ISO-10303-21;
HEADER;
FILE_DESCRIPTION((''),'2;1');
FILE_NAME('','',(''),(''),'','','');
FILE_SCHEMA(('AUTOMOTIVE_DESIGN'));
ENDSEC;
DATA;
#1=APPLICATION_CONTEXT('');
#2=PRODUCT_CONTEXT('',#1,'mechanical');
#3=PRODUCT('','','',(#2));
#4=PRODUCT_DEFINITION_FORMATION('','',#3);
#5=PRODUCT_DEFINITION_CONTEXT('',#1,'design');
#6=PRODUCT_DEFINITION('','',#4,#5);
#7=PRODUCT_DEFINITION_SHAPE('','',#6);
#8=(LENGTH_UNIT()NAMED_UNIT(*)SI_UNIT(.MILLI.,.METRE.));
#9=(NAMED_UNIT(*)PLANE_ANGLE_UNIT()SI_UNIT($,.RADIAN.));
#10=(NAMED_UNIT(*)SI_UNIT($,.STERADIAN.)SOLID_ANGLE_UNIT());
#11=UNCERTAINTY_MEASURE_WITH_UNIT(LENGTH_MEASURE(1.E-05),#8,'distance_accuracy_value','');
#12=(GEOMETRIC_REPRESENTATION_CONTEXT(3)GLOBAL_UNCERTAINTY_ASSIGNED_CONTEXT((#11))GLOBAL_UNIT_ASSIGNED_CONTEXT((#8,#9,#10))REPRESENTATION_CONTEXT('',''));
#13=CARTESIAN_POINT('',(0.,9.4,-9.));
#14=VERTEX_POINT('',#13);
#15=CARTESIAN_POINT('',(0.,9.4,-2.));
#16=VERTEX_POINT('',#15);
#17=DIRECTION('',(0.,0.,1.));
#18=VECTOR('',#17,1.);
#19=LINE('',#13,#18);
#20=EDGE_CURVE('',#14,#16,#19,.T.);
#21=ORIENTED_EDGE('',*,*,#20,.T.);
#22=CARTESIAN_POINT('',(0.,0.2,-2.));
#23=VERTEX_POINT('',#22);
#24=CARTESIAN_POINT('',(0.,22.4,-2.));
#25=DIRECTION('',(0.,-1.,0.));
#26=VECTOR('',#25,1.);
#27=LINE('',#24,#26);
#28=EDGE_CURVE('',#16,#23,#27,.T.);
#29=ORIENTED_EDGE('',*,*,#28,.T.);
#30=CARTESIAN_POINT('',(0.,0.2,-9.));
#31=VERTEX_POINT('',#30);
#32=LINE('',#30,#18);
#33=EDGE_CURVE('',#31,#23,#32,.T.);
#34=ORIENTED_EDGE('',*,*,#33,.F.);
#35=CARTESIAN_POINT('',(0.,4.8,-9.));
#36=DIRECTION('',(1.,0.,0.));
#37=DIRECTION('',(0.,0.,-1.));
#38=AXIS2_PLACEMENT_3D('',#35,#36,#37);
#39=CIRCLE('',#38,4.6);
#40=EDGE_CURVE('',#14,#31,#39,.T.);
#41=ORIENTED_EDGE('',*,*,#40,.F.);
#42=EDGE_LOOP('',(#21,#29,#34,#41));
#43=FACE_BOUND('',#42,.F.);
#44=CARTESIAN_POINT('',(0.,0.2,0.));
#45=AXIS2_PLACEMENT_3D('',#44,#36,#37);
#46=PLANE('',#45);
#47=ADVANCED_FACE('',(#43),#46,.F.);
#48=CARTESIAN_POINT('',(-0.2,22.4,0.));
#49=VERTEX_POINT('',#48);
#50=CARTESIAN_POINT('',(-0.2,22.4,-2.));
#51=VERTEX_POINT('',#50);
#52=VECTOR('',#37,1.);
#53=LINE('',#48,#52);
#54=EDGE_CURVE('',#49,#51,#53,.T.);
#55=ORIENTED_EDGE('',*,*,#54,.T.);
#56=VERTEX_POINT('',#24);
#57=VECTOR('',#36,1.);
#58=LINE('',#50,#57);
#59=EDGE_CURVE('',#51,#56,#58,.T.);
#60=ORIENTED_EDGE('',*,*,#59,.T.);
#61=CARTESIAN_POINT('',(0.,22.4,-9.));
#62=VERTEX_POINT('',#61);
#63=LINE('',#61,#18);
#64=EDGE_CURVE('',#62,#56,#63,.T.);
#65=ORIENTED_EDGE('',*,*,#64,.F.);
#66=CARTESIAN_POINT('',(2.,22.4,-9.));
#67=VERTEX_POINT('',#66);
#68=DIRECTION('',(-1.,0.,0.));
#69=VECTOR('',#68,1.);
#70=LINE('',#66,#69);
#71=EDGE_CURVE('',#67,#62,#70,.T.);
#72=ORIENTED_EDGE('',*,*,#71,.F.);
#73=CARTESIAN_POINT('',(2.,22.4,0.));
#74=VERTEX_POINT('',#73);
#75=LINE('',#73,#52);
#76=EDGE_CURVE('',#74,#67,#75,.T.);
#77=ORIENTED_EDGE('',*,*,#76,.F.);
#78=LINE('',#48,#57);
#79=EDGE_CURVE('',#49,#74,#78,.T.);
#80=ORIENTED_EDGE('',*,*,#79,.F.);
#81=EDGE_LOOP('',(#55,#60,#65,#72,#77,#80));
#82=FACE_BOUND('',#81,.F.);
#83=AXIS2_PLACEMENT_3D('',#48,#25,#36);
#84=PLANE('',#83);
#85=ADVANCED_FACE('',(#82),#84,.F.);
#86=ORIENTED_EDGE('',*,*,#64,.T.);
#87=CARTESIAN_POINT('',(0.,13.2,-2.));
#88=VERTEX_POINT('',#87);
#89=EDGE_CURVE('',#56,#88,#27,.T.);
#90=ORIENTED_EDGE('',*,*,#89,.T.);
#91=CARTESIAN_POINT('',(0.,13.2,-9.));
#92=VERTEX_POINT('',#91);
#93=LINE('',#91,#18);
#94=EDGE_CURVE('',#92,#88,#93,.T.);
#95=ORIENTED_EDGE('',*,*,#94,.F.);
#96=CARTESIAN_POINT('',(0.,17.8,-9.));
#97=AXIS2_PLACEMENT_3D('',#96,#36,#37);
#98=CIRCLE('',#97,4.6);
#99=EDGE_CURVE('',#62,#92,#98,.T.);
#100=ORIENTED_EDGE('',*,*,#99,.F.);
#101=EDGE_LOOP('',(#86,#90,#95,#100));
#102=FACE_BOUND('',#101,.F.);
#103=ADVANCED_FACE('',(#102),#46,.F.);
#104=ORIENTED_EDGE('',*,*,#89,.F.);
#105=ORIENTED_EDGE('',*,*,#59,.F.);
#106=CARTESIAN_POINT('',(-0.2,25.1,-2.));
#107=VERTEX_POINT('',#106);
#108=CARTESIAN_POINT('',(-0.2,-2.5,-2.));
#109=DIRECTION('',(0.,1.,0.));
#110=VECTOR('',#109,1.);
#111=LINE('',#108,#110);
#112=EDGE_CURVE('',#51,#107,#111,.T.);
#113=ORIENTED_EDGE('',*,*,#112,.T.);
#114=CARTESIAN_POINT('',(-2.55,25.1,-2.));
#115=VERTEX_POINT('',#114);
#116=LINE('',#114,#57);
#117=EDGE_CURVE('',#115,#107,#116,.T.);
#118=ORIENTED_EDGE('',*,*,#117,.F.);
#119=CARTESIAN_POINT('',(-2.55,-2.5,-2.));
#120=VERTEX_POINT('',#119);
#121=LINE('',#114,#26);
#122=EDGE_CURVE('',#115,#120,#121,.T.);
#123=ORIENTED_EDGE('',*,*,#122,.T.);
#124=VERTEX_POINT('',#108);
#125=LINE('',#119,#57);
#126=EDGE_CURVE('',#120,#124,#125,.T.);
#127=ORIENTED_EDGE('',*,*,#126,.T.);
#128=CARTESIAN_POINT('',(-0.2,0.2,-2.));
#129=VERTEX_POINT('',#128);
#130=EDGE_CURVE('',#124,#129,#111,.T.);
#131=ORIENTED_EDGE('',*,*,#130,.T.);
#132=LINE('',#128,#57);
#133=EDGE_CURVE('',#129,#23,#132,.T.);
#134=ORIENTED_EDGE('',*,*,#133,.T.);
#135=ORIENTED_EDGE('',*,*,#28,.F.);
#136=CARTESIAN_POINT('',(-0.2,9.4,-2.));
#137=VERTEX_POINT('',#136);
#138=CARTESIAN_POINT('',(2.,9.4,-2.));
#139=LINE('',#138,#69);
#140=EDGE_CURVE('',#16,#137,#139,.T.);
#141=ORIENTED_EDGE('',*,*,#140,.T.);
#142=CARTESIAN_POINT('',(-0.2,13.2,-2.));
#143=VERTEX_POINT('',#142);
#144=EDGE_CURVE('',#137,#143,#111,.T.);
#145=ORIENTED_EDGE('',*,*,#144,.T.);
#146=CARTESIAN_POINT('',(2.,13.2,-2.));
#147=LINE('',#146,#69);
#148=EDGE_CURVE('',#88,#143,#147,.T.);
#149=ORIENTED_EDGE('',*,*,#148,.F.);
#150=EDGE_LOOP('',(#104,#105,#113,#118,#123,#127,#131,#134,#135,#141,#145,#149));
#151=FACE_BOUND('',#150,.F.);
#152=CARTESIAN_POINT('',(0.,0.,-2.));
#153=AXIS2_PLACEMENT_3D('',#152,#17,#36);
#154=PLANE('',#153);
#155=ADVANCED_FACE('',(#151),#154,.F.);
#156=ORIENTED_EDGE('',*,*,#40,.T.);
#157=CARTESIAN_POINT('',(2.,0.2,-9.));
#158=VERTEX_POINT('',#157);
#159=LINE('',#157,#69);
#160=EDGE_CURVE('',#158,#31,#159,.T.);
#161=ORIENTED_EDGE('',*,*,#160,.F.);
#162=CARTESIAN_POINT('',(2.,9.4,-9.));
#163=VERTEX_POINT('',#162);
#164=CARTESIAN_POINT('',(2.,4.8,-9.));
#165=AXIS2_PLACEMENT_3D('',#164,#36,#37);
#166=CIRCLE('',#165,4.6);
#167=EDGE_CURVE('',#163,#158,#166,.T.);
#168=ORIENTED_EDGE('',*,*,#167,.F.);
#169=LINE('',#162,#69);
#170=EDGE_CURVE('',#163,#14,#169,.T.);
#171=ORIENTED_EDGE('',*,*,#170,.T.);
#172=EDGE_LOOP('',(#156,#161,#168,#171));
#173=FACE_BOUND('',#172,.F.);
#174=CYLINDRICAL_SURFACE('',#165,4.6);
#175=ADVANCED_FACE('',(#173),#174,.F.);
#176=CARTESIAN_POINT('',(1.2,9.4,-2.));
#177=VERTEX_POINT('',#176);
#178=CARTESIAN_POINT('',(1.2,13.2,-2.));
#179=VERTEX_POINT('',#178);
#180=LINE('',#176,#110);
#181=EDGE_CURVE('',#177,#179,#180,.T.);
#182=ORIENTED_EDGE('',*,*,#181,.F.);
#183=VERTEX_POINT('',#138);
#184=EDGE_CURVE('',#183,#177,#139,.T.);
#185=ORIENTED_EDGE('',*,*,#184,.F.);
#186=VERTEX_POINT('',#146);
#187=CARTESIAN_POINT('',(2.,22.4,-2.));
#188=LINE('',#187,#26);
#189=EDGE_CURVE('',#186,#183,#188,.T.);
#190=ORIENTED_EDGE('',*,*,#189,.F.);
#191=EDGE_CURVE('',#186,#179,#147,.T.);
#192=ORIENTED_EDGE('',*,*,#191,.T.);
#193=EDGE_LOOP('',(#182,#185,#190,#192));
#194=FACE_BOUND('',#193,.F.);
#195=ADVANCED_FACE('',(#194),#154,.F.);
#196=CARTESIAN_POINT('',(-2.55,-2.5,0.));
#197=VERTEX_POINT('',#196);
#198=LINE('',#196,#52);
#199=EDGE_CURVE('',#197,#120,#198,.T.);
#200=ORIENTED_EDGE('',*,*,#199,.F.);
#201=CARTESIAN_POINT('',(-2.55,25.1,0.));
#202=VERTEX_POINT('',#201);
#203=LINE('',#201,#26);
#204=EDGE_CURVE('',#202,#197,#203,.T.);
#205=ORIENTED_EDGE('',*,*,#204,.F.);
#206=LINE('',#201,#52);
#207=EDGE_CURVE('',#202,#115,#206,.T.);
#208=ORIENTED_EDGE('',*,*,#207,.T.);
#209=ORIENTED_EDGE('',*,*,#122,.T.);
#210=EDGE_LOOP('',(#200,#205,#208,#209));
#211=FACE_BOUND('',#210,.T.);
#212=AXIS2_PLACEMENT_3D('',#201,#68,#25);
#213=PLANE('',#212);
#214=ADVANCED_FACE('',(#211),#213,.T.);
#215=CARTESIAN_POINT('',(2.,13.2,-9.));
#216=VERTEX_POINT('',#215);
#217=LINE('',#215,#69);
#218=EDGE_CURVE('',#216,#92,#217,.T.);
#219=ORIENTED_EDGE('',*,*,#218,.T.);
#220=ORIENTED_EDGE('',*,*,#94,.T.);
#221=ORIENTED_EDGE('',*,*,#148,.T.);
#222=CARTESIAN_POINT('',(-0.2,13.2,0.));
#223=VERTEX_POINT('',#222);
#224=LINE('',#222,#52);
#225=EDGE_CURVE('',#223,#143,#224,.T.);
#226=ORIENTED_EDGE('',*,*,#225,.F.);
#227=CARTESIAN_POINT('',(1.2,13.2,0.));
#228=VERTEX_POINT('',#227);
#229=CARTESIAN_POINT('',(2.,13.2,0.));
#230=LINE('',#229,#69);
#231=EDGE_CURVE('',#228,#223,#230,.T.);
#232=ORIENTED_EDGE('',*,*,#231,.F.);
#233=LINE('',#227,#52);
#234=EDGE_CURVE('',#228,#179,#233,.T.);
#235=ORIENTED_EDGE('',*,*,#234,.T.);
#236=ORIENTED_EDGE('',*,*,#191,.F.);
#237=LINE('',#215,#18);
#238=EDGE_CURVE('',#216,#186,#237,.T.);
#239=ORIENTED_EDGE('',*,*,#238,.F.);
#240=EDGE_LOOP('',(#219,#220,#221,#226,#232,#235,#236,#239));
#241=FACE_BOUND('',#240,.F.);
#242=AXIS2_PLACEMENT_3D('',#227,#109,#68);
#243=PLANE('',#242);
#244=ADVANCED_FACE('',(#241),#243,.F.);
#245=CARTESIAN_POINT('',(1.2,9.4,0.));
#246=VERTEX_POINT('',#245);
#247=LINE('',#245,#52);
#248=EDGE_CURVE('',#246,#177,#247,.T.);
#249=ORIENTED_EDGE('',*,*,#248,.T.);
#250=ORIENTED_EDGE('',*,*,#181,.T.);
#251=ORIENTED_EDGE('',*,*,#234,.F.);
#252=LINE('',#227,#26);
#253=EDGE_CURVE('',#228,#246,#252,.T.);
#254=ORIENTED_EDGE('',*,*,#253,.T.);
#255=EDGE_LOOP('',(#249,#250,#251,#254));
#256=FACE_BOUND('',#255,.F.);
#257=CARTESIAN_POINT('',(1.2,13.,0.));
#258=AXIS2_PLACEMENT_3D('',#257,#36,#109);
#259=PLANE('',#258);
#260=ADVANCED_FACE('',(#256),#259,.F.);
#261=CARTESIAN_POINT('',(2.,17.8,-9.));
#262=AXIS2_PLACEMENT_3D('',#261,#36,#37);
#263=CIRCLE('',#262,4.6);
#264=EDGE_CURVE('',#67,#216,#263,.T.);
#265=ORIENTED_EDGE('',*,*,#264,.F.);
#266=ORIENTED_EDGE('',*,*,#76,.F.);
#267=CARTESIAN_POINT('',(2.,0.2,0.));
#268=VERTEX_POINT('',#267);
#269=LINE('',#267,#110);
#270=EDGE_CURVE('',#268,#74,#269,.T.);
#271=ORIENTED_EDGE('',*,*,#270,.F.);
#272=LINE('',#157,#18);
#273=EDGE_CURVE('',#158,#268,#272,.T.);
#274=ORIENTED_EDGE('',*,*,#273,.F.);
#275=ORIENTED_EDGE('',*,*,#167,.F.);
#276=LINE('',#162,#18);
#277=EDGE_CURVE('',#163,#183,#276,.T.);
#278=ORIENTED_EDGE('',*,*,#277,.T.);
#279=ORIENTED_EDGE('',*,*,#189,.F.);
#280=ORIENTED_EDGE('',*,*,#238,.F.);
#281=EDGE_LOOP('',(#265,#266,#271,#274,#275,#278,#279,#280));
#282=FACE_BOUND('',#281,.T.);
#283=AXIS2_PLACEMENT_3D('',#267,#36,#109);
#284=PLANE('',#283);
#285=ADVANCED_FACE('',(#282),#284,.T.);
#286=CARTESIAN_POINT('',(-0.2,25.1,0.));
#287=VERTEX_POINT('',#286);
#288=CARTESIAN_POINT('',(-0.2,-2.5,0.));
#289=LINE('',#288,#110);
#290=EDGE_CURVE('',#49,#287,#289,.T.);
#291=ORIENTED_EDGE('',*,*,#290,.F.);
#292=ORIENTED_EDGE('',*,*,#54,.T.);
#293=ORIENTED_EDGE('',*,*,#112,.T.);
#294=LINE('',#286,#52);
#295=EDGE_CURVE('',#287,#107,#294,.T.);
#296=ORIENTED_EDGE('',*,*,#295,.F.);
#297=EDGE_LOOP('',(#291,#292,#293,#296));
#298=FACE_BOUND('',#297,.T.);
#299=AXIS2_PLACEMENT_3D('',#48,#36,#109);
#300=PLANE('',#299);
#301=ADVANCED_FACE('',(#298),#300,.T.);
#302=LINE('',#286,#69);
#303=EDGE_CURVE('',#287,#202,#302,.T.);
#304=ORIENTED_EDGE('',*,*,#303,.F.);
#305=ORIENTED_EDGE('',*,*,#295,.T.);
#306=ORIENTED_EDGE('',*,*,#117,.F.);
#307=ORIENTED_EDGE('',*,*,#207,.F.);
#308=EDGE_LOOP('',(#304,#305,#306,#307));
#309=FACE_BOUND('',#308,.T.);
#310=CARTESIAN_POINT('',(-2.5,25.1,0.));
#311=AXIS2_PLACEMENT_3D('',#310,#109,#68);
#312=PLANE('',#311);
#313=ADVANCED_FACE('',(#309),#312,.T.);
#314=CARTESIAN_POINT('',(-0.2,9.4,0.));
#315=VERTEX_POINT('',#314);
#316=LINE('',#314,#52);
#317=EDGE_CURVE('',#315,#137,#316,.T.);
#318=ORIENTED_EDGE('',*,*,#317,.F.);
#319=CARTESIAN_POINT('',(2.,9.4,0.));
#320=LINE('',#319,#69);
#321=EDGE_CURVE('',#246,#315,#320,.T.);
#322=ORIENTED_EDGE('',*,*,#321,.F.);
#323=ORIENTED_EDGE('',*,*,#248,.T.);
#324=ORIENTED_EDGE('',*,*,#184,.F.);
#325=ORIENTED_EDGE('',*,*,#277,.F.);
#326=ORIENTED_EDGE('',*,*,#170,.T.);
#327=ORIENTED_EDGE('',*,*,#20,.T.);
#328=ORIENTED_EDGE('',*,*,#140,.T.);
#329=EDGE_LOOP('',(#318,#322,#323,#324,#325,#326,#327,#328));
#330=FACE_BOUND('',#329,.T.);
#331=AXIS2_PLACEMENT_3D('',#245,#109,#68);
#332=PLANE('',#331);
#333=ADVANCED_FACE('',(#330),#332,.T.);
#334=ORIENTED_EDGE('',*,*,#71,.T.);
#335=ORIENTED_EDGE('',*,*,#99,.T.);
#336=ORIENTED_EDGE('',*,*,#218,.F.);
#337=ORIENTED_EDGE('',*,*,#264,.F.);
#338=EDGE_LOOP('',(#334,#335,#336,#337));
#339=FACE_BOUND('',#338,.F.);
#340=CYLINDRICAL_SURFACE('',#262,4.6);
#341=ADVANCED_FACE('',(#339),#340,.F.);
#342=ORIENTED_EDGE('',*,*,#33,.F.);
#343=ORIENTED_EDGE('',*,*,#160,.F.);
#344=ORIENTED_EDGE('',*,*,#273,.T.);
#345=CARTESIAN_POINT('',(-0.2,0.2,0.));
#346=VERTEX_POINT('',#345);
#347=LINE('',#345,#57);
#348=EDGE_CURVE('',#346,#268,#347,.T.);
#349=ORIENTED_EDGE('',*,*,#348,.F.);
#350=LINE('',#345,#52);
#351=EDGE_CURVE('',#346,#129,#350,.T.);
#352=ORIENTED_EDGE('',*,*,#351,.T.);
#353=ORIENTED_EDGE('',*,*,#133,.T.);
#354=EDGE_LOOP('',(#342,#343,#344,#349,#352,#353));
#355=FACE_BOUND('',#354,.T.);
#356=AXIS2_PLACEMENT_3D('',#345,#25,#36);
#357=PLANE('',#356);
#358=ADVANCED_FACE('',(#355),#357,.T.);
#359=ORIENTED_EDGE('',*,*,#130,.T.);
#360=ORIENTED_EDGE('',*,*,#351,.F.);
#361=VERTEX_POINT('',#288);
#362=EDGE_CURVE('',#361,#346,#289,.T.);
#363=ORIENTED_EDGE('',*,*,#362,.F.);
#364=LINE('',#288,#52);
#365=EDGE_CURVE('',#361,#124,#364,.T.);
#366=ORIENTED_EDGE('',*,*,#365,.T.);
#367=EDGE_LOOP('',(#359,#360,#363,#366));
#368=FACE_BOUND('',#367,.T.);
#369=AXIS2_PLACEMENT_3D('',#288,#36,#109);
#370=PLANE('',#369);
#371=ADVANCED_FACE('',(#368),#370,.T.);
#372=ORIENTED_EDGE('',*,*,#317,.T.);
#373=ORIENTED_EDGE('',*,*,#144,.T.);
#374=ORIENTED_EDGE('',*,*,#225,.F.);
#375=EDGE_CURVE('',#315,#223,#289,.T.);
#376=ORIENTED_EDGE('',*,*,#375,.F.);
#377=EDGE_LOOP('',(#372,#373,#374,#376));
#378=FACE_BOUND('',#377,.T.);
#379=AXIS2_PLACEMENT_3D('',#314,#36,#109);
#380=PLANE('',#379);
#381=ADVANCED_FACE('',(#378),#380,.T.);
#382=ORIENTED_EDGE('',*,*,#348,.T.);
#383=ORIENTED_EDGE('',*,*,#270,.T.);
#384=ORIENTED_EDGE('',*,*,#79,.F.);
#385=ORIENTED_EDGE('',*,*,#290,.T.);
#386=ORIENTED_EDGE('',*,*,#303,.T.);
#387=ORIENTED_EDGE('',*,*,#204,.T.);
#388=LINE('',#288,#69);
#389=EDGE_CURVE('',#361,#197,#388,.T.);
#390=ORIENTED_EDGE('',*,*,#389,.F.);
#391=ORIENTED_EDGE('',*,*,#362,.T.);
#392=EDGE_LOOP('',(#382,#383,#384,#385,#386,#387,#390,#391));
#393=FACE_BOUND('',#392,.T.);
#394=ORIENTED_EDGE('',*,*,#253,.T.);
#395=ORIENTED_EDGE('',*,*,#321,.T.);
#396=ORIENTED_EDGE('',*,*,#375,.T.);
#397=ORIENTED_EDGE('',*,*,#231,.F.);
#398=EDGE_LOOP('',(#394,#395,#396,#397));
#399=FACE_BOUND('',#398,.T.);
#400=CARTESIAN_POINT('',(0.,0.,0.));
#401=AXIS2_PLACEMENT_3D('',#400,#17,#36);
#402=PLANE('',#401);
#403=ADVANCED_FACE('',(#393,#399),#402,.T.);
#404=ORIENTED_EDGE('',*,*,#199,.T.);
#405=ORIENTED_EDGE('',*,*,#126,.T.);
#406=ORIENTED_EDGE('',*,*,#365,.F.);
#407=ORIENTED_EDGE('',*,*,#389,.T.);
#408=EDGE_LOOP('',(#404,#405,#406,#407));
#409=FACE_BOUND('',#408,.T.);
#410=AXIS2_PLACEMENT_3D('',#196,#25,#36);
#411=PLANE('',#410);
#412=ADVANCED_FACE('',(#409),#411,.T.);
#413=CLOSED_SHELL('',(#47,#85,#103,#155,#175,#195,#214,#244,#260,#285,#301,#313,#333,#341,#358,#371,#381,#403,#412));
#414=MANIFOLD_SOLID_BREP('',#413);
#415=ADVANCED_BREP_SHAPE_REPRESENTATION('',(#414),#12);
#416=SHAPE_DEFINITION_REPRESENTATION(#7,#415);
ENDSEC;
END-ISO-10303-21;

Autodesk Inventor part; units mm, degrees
ref_plane "YZ Plane" through (0, 0, 0) normal (1, 0, 0) x (0, 1, 0)
ref_plane "XZ Plane" through (0, 0, 0) normal (0, 1, 0) x (-1, 0, 0)
ref_plane "XY Plane" through (0, 0, 0) normal (0, 0, 1) x (1, 0, 0)
sketch "Sketch1" plane through (0, 0, 0) normal (0, 0, 1) x (1, 0, 0)
  line L0 (0, 0) -> (0, -2.7) projected
  line L1 (0, -2.7) -> (-2.5, -2.7) projected
  line L2 (-2.5, -2.7) -> (-2.5, 25.3) projected
  line L3 (0, 25.3) -> (-2.5, 25.3) projected
  line L4 (0, 25.3) -> (0, 22.6) projected
  line L5 (0, 22.6) -> (2, 22.6) projected
  line L6 (2, 27.3) -> (2, 22.6) projected
  line L7 (-4.5, 27.3) -> (2, 27.3) projected
  line L8 (-4.5, -4.7) -> (-4.5, 27.3) projected
  line L9 (-4.5, -4.7) -> (2, -4.7) projected
  line L10 (2, 0) -> (2, -4.7) projected
  line L11 (0, 0) -> (2, 0) projected
  line L12 (-0.2, 25.1) -> (-2.55, 25.1)
  line L13 (-2.55, 25.1) -> (-2.55, -2.5)
  line L14 (-2.55, -2.5) -> (-0.2, -2.5)
  line L15 (-0.2, -2.5) -> (-0.2, 25.1)
  line L16 (0, 22.6) -> (0, 22.4) construction
  line L17 (1, 13) -> (2, 13) projected
  line L18 (1, 9.6) -> (1, 13) projected
  line L19 (2, 9.6) -> (1, 9.6) projected
  line L20 (2, 13) -> (2, 9.6) projected
  line L21 (1, 11.3) -> (1.2, 11.3) construction
  line L22 (2, 13) -> (1.2, 13)
  line L23 (1.2, 13) -> (1.2, 9.6)
  line L24 (1.2, 9.6) -> (2, 9.6)
  line L25 (2, 9.6) -> (2, 13)
  line L26 (1.2, 13) -> (1.2, 13.2)
  line L27 (2, 13.2) -> (-0.2, 13.2)
  line L28 (-0.2, 13.2) -> (-0.2, 22.4)
  line L29 (-0.2, 22.4) -> (2, 22.4)
  line L30 (2, 22.4) -> (2, 13.2)
  line L31 (2, 13.2) -> (2, 13)
  line L32 (2, 9.6) -> (1.2, 9.6)
  line L33 (1.2, 9.6) -> (1.2, 9.4)
  line L34 (1.2, 9.4) -> (2, 9.4)
  line L35 (2, 9.4) -> (2, 9.6)
  line L36 (2, 9.4) -> (-0.2, 9.4)
  line L37 (-0.2, 9.4) -> (-0.2, 0.2)
  line L38 (-0.2, 0.2) -> (2, 0.2)
  line L39 (2, 0.2) -> (2, 9.4)
  point P0 (-1.25, 11.3)
  point P1 (-1.25, 11.3)
  dimension "d0" = 2.35
  dimension "d1" = 27.6
  dimension "d2" = 0.2
  dimension "d3" = 0.2
  dimension "d4" = 0.2
  dimension "d5" = 0.2
  dimension "d6" = 9.2
extrude "Extrusion1" add sketch "Sketch1" against normal blind 2 contours L14 L13 L12 L2 | L2 L12 L15 L14 | L15 L36 L34 L39 L38 | L29 L30 L27 L15 | L33 L19 L35 L34 | L27 L31 L17 L26 | L23 L17 L20 L19
sketch "Sketch2" plane through (2, 0.2, 0) normal (1, 0, 0) x (0, 0, -1)
  arc A0 (9, -0.2) -> (9, 9.4) centre (9, 4.6) ccw projected
  arc A1 (9, 12.8) -> (9, 22.4) centre (9, 17.6) ccw projected
  circle A2 centre (9, 4.6) radius 4.6
  circle A3 centre (9, 17.6) radius 4.6
  line L0 (2, 22.2) -> (2, 0) projected
  line L1 (9, 0) -> (2, 0)
  line L2 (9, 9.2) -> (2, 9.2)
  line L3 (2, 0) -> (2, 9.2)
  line L4 (9, 13) -> (2, 13)
  line L5 (2, 13) -> (2, 22.2)
  line L6 (0, 22.2) -> (2, 22.2) projected
  line L7 (9, 22.2) -> (2, 22.2)
  point P0 (0, -0.2)
  dimension "d12" = 9.2
  dimension "d13" = 9.2
extrude "Extrusion3" add sketch "Sketch2" against normal blind 2 contours L0 L7 A3 L4 | A2 L1 L0 L2
properties part number "prototype7_2_3DPrint"
